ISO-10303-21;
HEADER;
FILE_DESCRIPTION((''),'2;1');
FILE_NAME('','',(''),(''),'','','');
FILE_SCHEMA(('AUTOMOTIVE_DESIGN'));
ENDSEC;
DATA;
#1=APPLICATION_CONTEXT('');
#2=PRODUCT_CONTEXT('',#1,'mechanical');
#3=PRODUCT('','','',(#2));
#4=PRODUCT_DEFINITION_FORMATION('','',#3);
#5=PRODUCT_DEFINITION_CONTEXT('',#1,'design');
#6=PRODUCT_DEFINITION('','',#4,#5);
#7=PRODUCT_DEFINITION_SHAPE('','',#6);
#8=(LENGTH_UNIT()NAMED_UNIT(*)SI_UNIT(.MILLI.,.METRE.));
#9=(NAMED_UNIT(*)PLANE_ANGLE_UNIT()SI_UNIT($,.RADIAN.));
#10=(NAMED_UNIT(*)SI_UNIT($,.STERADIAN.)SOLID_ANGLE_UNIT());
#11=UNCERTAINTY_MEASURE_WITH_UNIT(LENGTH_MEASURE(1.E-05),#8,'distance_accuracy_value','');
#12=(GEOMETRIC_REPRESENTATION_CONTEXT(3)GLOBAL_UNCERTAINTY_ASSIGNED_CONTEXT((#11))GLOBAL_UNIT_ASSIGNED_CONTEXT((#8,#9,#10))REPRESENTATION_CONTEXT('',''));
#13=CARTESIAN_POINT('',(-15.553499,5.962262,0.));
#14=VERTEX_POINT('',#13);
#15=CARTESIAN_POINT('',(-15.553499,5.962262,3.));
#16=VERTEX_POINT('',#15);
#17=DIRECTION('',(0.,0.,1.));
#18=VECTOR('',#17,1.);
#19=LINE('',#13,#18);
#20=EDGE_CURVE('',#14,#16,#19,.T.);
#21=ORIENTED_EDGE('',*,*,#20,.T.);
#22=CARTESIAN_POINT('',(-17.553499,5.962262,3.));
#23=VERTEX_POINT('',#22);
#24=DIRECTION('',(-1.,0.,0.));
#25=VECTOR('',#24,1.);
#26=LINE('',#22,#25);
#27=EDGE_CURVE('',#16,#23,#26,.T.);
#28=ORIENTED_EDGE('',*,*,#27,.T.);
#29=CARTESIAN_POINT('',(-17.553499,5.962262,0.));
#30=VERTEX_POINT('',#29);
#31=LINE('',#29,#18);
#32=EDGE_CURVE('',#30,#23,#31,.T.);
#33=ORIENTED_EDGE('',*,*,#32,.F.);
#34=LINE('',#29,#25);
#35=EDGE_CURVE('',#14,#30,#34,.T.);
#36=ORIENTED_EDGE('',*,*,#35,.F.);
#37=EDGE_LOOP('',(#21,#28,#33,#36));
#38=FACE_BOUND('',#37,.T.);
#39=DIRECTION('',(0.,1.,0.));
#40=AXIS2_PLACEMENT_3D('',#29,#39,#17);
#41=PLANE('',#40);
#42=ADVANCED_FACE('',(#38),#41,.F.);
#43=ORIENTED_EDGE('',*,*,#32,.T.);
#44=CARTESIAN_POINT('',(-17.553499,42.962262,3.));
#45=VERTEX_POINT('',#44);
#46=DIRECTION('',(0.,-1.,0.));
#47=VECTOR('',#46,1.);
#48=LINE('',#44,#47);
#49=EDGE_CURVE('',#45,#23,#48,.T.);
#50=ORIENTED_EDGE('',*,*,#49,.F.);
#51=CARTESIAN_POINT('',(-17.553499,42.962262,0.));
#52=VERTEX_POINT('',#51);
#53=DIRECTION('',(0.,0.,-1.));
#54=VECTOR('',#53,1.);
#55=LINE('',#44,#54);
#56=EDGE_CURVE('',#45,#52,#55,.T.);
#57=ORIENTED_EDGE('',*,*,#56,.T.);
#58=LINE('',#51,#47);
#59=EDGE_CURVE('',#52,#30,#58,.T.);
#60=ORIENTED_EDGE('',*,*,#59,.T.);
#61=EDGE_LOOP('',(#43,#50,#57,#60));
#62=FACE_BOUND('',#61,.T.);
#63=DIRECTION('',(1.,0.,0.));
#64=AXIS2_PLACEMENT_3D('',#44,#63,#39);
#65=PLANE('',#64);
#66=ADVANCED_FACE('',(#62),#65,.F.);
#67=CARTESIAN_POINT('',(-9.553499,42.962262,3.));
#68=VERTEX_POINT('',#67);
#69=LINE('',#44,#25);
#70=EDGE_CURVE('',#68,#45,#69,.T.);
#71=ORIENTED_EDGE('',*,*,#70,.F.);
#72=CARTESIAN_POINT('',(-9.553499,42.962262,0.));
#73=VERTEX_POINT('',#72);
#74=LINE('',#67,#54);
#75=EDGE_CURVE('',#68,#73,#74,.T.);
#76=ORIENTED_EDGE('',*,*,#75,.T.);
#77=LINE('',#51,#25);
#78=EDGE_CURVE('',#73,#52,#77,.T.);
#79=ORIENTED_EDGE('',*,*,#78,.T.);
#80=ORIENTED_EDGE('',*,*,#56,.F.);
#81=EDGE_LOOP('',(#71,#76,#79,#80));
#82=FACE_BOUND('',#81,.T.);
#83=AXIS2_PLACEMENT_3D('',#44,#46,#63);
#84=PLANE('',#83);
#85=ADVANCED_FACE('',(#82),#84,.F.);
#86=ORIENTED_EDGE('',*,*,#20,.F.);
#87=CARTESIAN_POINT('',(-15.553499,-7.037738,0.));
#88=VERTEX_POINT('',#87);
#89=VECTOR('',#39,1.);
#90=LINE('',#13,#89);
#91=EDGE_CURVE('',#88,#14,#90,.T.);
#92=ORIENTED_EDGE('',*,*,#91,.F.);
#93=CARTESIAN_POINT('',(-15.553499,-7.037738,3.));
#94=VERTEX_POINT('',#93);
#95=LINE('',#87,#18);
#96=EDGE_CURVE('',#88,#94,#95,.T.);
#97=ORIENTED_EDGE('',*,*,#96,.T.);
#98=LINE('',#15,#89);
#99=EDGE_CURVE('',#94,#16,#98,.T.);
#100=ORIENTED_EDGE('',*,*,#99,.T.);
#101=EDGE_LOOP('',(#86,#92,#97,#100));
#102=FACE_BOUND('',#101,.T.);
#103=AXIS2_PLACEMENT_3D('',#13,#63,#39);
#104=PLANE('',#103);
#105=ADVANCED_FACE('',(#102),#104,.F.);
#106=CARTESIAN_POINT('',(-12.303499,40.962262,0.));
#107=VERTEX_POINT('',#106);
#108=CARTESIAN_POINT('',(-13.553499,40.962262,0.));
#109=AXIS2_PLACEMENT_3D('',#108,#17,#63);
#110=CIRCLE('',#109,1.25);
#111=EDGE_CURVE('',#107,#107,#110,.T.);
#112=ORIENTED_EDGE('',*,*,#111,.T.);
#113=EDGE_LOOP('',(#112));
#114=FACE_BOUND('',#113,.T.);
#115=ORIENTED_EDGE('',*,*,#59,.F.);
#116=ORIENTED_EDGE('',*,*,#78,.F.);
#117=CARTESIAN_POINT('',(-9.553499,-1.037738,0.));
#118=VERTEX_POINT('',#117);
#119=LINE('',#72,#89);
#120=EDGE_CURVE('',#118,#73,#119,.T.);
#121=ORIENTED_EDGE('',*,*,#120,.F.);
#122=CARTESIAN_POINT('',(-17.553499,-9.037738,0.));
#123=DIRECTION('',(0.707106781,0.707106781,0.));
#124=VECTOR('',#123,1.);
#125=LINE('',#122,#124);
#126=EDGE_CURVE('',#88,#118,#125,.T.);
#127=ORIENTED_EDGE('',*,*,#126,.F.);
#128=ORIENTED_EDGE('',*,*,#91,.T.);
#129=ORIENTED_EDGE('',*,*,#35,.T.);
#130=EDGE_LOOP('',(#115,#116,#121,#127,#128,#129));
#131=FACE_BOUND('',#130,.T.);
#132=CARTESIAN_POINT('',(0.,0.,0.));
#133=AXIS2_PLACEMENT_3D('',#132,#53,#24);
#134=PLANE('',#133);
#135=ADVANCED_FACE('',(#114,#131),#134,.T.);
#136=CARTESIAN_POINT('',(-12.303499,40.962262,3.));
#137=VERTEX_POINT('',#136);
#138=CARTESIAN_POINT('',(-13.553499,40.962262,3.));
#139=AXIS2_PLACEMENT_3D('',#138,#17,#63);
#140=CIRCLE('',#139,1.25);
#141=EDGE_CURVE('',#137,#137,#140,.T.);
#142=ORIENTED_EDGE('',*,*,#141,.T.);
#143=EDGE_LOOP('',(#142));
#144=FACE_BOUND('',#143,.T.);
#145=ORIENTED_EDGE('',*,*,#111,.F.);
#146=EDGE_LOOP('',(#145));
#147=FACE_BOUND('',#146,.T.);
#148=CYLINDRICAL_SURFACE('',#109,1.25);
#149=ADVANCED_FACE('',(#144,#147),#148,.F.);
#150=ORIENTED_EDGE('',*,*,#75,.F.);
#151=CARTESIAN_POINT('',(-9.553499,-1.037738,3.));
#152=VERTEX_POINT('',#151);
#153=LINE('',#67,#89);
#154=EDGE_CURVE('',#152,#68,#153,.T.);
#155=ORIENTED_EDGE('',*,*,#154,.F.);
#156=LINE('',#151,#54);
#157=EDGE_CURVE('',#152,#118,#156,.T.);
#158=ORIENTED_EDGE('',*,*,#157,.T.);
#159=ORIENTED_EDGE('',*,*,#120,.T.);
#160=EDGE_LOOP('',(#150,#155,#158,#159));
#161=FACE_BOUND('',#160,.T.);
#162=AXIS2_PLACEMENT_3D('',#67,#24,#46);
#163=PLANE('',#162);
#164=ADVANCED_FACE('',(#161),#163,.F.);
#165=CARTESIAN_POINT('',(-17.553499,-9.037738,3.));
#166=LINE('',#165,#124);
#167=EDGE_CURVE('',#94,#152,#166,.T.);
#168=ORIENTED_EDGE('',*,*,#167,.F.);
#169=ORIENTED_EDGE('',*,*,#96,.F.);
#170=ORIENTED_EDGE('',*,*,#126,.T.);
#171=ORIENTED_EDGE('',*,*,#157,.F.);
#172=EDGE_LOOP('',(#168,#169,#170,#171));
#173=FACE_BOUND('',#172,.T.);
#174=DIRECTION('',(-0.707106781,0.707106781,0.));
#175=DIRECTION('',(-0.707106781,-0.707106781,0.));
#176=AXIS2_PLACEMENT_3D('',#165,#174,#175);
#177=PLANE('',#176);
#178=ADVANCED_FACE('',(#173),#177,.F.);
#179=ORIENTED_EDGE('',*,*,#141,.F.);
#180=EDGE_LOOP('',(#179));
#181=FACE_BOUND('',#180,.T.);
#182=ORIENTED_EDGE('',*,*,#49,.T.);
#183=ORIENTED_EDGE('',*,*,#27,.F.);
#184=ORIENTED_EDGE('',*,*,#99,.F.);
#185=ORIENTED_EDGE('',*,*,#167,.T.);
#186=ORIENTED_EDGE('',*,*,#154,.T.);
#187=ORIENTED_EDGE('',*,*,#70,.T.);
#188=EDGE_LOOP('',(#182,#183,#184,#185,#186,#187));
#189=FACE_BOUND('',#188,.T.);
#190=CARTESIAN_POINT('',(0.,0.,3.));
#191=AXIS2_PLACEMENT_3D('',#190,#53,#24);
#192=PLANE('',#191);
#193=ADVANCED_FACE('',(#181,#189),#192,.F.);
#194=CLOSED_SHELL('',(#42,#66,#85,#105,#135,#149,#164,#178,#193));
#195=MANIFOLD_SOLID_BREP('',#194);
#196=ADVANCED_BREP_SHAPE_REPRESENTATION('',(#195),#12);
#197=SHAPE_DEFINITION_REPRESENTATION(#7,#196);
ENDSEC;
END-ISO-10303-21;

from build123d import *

# Parameters (mm, degrees)
BOSS_EXTRUDE1_DEPTH = 3
SKETCH2_R           = 1.25
CUT_EXTRUDE1_DEPTH  = 3


with BuildPart() as part:
    # Sketch1 → Boss-Extrude1 (new body)
    with BuildSketch(Plane.XY):
        Polygon((-9.553498798, 42.962261971), (-9.553498798, -1.037738029), (-17.553498798, -9.037738029), (-17.553498798, 42.962261971), align=None)
    extrude(amount=BOSS_EXTRUDE1_DEPTH)

    # Sketch2 → Cut-Extrude1 (cut)
    with BuildSketch(Plane.XY.offset(3)):
        with Locations((-13.553498798, 40.962261971)):
            Circle(SKETCH2_R)
        Polygon((-17.553498798, -9.037738029), (-17.553498798, 5.962261971), (-15.553498798, 5.962261971), (-15.553498798, -7.037738029), align=None)
    extrude(amount=-CUT_EXTRUDE1_DEPTH, mode=Mode.SUBTRACT)


solid = part.part
